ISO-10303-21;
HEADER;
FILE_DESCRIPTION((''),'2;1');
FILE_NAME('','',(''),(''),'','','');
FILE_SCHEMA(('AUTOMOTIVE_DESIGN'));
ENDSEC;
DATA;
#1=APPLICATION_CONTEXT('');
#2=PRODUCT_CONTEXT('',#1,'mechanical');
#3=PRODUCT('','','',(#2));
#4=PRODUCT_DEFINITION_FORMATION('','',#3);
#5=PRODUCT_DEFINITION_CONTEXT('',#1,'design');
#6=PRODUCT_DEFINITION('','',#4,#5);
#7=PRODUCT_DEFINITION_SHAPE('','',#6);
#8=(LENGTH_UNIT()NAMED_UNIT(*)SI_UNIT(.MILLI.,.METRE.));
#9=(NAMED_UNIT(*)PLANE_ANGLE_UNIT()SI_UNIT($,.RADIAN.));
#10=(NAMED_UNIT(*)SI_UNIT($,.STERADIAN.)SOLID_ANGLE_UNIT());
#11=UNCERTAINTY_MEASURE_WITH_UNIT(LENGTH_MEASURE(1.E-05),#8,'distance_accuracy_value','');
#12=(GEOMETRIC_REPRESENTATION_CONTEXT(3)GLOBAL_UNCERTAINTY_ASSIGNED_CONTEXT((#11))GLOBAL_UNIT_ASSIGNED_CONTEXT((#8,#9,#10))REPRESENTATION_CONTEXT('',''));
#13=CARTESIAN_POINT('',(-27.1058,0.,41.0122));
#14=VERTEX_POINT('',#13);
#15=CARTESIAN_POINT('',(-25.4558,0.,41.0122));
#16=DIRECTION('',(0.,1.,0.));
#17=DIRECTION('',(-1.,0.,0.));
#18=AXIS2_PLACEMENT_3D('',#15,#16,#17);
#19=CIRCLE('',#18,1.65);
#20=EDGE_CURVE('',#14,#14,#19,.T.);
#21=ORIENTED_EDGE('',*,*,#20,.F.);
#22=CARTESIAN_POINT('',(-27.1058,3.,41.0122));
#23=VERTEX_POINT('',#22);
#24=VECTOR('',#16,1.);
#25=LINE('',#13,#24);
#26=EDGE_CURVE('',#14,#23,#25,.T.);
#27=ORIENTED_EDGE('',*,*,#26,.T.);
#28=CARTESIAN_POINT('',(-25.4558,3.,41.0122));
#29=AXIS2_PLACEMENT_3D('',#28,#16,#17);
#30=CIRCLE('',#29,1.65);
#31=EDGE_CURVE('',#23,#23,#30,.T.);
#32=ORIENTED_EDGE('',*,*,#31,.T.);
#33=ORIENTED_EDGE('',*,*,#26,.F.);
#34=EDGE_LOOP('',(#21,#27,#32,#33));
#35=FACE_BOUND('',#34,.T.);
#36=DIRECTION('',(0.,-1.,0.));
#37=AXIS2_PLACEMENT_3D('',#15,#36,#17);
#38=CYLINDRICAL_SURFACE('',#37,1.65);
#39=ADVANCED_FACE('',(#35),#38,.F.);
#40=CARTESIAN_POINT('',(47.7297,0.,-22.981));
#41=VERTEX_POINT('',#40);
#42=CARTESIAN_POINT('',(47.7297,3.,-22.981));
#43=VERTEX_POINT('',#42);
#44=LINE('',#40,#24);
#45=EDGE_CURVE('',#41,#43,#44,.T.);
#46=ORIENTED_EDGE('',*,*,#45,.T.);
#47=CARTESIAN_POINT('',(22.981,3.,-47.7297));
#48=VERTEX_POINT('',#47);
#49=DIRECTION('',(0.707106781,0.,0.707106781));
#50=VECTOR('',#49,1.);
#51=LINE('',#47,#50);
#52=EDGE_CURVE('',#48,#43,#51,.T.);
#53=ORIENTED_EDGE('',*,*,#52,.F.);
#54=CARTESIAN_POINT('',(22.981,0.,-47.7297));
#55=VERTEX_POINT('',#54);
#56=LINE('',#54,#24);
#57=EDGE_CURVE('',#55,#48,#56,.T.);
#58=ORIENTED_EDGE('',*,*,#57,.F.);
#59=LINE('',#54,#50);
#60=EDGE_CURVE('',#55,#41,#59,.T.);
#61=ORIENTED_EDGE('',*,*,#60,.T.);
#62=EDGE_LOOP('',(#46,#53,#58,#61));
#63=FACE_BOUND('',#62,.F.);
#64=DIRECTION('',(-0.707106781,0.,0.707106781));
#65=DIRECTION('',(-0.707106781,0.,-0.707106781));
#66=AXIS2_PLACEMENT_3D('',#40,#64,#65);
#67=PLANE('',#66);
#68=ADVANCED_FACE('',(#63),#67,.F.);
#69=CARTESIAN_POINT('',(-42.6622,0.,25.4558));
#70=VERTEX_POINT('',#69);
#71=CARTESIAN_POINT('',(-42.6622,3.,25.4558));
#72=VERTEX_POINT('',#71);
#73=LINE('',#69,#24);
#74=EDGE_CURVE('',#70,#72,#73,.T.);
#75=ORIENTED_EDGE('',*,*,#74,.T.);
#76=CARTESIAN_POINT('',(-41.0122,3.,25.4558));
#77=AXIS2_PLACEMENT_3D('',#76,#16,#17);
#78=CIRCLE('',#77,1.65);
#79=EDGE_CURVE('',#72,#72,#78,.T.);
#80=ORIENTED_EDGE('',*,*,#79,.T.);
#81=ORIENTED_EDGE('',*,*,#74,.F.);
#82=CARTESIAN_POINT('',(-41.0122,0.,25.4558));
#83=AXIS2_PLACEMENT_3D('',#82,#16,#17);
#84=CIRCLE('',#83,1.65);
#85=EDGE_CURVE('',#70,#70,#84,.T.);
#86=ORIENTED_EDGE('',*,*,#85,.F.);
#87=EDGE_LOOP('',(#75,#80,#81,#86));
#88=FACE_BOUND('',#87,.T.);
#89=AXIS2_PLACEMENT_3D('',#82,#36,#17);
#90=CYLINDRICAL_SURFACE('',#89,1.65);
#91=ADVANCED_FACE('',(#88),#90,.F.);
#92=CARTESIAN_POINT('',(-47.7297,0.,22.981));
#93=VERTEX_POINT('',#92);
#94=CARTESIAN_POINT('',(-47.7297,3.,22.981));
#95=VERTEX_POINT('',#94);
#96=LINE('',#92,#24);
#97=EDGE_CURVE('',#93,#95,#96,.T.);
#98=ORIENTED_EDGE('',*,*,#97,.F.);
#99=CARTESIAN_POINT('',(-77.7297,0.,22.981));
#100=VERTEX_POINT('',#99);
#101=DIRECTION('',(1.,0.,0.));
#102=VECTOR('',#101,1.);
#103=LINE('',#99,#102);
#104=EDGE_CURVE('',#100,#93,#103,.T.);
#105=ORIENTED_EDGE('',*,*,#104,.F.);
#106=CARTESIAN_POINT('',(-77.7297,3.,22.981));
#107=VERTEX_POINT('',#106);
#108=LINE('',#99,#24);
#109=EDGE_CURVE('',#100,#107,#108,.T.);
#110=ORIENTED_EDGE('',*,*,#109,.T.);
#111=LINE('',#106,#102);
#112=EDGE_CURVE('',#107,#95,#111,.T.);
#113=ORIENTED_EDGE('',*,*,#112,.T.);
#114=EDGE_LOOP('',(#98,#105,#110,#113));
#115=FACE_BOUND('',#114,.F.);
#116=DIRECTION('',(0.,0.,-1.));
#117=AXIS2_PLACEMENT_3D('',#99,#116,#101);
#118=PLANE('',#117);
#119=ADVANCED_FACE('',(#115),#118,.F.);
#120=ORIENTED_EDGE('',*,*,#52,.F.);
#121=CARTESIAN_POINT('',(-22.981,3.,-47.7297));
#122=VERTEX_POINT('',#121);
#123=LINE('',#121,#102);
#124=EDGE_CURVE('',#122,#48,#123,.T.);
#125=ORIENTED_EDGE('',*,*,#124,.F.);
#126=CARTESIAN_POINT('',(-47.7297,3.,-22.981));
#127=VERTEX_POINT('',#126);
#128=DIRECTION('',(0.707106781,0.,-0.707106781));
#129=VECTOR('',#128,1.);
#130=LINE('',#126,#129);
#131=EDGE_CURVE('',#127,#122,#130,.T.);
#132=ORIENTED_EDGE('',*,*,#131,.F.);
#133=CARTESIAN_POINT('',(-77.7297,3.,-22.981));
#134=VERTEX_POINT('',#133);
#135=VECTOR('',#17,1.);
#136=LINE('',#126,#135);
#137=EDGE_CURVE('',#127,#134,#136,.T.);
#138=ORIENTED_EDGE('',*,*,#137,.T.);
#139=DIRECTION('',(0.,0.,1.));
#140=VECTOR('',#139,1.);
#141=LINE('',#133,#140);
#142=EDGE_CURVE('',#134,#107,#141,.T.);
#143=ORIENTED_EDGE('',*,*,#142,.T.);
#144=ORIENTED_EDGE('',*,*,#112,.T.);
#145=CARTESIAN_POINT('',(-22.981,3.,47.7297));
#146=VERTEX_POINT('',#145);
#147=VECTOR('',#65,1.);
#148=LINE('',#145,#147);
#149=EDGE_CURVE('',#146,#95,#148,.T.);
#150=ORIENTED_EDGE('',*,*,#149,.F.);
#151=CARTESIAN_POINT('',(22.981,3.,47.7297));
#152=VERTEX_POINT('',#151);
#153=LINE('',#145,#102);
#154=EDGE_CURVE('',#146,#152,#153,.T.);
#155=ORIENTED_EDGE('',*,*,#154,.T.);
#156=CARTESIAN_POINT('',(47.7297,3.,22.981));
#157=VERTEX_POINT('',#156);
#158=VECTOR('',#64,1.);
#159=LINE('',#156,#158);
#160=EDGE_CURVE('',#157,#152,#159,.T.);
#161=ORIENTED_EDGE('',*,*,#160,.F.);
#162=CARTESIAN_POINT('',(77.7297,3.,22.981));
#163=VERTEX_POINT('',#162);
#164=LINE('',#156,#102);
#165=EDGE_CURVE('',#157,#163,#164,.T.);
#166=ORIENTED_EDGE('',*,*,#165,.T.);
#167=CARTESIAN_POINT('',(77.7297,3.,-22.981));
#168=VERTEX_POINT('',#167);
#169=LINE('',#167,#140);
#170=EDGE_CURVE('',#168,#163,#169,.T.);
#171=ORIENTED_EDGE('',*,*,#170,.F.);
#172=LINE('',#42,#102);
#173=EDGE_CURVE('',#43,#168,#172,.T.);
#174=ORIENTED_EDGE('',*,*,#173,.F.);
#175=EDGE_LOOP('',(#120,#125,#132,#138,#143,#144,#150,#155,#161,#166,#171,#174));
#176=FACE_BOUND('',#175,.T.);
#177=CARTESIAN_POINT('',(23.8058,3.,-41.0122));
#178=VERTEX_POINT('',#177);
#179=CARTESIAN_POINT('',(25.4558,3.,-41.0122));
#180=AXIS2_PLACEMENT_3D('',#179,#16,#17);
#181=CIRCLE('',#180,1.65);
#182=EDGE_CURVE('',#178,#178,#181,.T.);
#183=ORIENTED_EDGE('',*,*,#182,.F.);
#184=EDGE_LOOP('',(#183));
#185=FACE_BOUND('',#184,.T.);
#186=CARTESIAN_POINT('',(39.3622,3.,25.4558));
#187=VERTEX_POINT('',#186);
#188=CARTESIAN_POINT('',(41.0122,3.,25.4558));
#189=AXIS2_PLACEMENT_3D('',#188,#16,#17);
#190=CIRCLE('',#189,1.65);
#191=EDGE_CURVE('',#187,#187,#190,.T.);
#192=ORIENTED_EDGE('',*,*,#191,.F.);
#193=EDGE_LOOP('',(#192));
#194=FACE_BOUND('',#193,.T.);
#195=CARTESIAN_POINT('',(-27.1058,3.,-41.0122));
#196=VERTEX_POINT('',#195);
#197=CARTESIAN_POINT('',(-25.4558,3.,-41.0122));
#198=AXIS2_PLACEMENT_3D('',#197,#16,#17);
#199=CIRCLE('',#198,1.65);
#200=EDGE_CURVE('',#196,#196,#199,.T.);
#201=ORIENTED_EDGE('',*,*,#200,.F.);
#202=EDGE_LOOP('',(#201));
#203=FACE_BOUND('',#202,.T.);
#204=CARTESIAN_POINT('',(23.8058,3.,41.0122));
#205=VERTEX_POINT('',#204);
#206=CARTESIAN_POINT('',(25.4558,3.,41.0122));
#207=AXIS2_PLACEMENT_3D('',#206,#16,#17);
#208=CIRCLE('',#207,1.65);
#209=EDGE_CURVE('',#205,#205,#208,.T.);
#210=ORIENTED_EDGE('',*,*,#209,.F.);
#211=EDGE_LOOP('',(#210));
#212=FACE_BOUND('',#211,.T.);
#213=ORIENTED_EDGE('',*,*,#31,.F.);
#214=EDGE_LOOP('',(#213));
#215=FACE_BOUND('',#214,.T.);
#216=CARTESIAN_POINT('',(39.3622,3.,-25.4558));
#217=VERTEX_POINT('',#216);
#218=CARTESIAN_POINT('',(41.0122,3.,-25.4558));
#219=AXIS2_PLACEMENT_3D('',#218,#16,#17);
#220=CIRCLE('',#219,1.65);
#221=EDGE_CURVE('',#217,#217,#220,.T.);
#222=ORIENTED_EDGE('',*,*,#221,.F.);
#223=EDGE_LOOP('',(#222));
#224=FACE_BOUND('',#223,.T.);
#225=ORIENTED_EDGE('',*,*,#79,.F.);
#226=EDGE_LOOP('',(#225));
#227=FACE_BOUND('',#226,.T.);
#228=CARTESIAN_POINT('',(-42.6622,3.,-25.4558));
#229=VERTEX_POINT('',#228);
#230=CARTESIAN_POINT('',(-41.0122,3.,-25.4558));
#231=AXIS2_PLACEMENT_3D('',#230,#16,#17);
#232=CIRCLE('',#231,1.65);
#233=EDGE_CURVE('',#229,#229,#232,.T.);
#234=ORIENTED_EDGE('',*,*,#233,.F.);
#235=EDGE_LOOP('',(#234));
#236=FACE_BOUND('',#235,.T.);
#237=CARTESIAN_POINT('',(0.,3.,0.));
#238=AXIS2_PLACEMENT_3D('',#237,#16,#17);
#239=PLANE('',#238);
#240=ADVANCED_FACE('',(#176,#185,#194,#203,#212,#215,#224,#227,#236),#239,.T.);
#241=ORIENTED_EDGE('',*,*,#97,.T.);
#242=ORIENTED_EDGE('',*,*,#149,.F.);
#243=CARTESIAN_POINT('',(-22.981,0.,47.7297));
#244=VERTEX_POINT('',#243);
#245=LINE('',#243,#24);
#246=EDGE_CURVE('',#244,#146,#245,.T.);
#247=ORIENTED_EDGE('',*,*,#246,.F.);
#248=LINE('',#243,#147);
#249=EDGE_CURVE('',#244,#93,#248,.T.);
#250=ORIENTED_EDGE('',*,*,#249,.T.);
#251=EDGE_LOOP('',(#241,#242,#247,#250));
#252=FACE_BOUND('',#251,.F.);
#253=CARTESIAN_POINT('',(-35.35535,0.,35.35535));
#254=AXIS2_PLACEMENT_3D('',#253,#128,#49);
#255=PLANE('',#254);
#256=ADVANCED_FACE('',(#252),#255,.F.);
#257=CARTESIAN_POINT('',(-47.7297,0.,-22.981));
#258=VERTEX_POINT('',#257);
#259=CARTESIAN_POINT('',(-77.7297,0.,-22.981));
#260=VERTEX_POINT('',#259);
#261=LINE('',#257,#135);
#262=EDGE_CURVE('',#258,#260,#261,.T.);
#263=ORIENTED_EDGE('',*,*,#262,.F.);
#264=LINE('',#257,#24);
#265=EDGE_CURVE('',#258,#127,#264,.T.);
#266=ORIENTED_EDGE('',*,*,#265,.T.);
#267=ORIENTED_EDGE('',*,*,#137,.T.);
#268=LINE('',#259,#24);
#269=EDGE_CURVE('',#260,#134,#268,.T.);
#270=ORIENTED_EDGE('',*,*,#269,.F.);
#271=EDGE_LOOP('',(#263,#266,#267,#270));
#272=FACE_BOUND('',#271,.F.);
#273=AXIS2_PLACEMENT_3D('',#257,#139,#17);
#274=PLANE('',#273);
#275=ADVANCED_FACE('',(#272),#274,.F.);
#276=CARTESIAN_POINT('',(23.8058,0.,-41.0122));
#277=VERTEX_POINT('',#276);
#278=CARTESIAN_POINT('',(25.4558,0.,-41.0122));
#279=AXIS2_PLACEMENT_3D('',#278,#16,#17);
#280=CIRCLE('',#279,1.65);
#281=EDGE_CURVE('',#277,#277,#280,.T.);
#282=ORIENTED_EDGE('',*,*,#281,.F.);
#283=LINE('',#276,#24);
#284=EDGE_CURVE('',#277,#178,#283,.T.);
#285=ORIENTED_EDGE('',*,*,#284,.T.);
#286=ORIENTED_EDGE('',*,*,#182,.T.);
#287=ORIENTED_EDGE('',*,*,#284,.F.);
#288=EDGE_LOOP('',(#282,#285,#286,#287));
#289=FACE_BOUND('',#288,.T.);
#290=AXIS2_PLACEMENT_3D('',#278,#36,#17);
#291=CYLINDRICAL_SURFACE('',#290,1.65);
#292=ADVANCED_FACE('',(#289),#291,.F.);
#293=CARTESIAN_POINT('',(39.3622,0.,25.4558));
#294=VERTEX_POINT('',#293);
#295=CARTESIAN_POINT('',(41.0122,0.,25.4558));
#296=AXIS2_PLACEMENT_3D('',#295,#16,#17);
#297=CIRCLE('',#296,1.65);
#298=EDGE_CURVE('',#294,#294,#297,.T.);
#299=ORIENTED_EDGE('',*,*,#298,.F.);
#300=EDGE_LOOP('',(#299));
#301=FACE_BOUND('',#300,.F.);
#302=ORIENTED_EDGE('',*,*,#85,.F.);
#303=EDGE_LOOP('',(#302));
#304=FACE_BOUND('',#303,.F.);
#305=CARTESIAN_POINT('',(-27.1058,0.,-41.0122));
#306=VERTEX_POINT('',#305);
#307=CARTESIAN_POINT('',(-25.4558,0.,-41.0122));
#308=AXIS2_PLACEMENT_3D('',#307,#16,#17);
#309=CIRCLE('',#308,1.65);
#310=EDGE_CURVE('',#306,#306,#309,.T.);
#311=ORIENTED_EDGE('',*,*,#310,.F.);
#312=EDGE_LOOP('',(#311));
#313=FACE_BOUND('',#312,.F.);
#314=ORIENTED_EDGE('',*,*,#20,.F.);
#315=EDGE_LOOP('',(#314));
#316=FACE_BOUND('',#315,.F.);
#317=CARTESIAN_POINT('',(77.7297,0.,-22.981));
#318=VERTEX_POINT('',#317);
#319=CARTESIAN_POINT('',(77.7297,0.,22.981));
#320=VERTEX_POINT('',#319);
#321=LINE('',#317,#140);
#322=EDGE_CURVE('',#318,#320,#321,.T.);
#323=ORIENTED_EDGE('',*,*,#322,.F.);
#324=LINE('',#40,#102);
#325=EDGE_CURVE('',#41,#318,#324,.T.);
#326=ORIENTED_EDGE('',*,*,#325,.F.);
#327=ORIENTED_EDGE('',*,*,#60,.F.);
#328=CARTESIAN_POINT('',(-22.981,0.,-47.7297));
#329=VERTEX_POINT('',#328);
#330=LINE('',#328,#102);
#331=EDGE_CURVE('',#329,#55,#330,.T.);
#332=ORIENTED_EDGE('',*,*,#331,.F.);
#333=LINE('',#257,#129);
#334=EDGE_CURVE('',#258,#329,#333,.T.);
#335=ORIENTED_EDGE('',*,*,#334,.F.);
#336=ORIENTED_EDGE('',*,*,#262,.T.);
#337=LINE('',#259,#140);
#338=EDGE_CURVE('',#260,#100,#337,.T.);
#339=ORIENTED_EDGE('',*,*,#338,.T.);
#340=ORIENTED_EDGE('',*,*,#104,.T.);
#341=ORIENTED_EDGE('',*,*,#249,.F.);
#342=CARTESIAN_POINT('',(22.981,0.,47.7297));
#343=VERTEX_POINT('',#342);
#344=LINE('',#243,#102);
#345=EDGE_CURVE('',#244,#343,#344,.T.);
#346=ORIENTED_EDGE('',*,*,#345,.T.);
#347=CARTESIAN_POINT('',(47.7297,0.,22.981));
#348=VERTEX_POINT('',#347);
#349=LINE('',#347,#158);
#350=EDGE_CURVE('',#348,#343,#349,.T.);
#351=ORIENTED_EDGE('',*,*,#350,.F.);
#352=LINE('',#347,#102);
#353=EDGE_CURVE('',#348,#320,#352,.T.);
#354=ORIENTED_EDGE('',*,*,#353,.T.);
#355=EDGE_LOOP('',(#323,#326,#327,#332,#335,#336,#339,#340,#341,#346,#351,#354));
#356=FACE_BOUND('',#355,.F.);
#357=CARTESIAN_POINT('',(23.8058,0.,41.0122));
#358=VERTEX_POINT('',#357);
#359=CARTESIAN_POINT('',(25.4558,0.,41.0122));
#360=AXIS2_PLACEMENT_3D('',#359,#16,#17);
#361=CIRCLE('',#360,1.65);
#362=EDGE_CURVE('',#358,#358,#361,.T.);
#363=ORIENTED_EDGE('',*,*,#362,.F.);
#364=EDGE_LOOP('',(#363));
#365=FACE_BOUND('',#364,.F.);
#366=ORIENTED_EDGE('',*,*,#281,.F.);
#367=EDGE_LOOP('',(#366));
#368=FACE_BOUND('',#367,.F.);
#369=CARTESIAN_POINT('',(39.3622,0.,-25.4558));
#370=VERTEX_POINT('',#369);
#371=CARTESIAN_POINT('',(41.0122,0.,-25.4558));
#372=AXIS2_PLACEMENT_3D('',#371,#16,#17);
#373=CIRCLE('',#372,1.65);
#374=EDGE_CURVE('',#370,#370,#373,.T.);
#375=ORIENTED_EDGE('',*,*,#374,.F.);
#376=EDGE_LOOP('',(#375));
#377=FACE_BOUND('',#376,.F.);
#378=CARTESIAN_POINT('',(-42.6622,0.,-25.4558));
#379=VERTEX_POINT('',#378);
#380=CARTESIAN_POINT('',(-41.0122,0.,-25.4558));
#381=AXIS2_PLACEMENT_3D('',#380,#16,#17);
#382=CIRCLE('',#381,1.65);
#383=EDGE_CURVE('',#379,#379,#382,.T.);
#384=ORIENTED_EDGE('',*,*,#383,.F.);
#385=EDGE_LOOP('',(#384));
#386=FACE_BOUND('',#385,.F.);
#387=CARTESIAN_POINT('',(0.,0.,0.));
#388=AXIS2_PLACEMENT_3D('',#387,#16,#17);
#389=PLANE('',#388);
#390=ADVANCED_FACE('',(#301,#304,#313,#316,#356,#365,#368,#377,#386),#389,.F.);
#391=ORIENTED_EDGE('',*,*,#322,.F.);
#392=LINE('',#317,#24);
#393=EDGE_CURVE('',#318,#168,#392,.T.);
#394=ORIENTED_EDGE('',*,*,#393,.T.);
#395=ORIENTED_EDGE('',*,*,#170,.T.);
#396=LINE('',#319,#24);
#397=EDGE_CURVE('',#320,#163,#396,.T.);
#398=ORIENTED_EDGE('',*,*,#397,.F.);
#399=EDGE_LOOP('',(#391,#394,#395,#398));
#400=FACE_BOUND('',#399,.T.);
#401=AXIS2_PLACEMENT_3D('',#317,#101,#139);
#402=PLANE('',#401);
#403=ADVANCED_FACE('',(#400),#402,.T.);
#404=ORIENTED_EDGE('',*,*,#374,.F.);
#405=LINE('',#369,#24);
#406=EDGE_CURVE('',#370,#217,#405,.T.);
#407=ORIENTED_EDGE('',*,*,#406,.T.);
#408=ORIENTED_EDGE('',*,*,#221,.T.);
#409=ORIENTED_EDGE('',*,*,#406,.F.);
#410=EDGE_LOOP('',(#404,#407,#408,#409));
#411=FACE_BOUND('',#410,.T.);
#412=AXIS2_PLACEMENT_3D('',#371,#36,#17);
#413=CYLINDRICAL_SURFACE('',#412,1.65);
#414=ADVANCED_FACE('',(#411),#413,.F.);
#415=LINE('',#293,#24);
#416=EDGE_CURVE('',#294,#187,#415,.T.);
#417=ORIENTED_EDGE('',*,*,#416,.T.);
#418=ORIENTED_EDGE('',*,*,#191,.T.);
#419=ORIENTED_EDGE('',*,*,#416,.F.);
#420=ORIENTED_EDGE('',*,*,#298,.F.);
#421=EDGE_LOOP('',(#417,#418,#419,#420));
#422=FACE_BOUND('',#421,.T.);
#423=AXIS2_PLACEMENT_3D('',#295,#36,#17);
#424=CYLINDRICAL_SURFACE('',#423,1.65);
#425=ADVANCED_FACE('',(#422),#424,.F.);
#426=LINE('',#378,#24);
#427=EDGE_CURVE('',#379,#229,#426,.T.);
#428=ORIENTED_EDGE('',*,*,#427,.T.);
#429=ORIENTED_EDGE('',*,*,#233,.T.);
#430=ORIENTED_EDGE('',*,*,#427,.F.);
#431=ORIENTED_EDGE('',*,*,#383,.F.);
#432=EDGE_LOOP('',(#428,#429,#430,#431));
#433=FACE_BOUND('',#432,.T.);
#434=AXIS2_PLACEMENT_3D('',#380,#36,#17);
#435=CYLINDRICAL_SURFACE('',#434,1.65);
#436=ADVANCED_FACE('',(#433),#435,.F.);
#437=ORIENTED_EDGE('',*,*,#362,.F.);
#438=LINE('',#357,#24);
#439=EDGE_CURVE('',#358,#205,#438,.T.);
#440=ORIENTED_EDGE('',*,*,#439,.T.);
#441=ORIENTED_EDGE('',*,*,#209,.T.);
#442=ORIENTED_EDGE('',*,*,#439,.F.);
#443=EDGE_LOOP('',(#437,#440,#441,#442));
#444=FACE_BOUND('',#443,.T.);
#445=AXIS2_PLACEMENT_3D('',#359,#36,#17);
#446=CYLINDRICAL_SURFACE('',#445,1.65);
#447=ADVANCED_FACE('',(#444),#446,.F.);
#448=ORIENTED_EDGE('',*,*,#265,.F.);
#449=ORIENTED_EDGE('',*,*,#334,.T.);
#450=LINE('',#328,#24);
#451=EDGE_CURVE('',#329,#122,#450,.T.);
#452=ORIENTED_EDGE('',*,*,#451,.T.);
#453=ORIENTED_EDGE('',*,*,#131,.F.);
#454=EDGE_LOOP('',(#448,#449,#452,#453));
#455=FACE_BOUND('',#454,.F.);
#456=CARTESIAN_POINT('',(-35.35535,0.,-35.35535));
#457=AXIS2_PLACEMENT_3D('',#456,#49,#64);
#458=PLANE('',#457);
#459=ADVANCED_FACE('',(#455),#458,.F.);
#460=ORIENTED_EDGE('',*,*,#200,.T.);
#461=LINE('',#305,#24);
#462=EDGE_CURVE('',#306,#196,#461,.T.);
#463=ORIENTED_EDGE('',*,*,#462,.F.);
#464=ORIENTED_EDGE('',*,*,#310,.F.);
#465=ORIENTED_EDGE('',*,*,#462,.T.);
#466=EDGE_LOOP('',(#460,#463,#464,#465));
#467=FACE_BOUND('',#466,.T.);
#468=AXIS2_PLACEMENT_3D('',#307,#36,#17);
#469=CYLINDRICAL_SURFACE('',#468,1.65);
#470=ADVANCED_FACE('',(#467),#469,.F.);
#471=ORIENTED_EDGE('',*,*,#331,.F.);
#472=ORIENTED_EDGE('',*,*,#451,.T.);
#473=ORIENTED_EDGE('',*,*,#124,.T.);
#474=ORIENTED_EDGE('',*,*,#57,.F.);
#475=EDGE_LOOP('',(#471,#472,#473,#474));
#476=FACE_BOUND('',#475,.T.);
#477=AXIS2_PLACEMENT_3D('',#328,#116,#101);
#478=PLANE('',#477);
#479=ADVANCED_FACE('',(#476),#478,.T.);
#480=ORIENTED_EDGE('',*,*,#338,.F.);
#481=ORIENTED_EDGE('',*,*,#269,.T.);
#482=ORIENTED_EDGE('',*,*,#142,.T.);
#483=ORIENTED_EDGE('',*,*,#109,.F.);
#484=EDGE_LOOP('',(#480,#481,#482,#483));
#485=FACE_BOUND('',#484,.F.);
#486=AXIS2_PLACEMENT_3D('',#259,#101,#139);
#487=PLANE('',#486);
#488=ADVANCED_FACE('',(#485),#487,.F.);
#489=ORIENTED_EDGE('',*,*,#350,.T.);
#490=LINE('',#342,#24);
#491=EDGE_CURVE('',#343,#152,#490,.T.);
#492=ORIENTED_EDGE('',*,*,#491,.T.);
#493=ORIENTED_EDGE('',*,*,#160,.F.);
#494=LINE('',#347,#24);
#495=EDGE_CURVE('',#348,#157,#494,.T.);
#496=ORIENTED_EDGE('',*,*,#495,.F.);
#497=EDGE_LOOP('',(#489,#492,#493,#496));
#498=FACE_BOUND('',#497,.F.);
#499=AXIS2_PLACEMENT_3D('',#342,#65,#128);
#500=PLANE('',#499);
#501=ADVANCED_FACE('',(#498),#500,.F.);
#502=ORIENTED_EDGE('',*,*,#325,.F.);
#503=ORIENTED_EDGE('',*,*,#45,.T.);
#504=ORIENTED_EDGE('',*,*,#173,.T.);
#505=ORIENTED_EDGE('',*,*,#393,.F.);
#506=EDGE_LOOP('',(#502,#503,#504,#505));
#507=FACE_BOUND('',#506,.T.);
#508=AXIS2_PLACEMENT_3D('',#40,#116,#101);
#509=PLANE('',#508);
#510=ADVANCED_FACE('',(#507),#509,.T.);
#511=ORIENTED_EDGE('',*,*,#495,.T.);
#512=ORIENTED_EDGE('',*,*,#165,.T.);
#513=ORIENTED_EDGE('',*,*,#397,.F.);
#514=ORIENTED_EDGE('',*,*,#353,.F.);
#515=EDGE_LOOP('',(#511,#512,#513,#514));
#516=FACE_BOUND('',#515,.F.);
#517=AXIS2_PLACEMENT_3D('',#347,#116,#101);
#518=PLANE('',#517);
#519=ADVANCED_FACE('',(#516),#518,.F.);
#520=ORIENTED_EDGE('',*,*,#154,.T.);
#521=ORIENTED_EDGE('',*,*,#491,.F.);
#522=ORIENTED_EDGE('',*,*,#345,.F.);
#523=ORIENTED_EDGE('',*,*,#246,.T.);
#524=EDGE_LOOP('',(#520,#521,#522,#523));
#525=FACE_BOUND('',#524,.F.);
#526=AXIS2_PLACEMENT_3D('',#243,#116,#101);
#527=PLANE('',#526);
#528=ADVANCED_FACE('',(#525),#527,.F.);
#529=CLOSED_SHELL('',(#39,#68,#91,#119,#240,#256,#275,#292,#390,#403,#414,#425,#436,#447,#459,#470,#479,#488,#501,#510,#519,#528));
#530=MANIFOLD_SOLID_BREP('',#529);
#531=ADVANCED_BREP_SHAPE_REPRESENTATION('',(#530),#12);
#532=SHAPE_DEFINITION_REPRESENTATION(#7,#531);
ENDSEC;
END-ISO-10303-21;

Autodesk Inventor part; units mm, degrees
ref_plane "YZ Plane" through (0, 0, 0) normal (1, 0, 0) x (0, 1, 0)
ref_plane "XZ Plane" through (0, 0, 0) normal (0, 1, 0) x (-1, 0, 0)
ref_plane "XY Plane" through (0, 0, 0) normal (0, 0, 1) x (1, 0, 0)
sketch "草图1" plane through (0, 0, 0) normal (0, 1, 0) x (-1, 0, 0)
  line L0 (35.3553, 35.3553) -> (-35.3553, 35.3553)
  line L1 (-35.3553, 35.3553) -> (-35.3553, -35.3553)
  line L2 (-35.3553, -35.3553) -> (35.3553, -35.3553)
  line L3 (35.3553, -35.3553) -> (35.3553, 35.3553)
  line L4 (35.3553, 35.3553) -> (-35.3553, -35.3553)
  line L5 (35.3553, -35.3553) -> (-35.3553, 35.3553)
  line L6 (-22.981, 47.7297) -> (-47.7297, 22.981)
  line L7 (-47.7297, -22.981) -> (-22.981, -47.7297)
  line L8 (22.981, -47.7297) -> (47.7297, -22.981)
  line L9 (47.7297, 22.981) -> (22.981, 47.7297)
  line L10 (22.981, 47.7297) -> (-22.981, 47.7297)
  line L11 (47.7297, 22.981) -> (47.7297, -22.981)
  line L12 (22.981, -47.7297) -> (-22.981, -47.7297)
  line L13 (-47.7297, -22.981) -> (-47.7297, 22.981)
  circle A0 centre (41.0122, 25.4558) radius 1.65
  circle A1 centre (25.4558, 41.0122) radius 1.65
  circle A2 centre (-41.0122, 25.4558) radius 1.65
  circle A3 centre (-25.4558, 41.0122) radius 1.65
  circle A4 centre (-25.4558, -41.0122) radius 1.65
  circle A5 centre (-41.0122, -25.4558) radius 1.65
  circle A6 centre (41.0122, -25.4558) radius 1.65
  circle A7 centre (25.4558, -41.0122) radius 1.65
  line L14 (-47.7297, -22.981) -> (-77.7297, -22.981)
  line L15 (-77.7297, -22.981) -> (-77.7297, 22.981)
  line L16 (-47.7297, 22.6987) -> (-47.7297, -22.981)
  line L17 (-47.7297, 22.981) -> (-77.7297, 22.981)
  line L18 (47.7297, -22.981) -> (77.7297, -22.981)
  line L19 (77.7297, -22.981) -> (77.7297, 22.981)
  line L20 (77.7297, 22.981) -> (47.7297, 22.981)
  point P0 (0, 0)
  point P1 (0, 0)
  point P2 (0, 0)
  point P3 (-35.3553, -35.3553)
  point P4 (35.3553, -35.3553)
  point P5 (35.3553, 35.3553)
  point P6 (0, 0)
  dimension "d4" = 100
  dimension "d5" = 35
  dimension "d6" = 45
  dimension "d7" = 360
  dimension "d8" = 3.3
  dimension "d9" = 3
  dimension "d10" = 11
  dimension "d18" = 360
  dimension "d20" = 30
  dimension "d23" = 30
extrude "拉伸1" add sketch "草图1" along normal blind 3
properties part number "下板"
